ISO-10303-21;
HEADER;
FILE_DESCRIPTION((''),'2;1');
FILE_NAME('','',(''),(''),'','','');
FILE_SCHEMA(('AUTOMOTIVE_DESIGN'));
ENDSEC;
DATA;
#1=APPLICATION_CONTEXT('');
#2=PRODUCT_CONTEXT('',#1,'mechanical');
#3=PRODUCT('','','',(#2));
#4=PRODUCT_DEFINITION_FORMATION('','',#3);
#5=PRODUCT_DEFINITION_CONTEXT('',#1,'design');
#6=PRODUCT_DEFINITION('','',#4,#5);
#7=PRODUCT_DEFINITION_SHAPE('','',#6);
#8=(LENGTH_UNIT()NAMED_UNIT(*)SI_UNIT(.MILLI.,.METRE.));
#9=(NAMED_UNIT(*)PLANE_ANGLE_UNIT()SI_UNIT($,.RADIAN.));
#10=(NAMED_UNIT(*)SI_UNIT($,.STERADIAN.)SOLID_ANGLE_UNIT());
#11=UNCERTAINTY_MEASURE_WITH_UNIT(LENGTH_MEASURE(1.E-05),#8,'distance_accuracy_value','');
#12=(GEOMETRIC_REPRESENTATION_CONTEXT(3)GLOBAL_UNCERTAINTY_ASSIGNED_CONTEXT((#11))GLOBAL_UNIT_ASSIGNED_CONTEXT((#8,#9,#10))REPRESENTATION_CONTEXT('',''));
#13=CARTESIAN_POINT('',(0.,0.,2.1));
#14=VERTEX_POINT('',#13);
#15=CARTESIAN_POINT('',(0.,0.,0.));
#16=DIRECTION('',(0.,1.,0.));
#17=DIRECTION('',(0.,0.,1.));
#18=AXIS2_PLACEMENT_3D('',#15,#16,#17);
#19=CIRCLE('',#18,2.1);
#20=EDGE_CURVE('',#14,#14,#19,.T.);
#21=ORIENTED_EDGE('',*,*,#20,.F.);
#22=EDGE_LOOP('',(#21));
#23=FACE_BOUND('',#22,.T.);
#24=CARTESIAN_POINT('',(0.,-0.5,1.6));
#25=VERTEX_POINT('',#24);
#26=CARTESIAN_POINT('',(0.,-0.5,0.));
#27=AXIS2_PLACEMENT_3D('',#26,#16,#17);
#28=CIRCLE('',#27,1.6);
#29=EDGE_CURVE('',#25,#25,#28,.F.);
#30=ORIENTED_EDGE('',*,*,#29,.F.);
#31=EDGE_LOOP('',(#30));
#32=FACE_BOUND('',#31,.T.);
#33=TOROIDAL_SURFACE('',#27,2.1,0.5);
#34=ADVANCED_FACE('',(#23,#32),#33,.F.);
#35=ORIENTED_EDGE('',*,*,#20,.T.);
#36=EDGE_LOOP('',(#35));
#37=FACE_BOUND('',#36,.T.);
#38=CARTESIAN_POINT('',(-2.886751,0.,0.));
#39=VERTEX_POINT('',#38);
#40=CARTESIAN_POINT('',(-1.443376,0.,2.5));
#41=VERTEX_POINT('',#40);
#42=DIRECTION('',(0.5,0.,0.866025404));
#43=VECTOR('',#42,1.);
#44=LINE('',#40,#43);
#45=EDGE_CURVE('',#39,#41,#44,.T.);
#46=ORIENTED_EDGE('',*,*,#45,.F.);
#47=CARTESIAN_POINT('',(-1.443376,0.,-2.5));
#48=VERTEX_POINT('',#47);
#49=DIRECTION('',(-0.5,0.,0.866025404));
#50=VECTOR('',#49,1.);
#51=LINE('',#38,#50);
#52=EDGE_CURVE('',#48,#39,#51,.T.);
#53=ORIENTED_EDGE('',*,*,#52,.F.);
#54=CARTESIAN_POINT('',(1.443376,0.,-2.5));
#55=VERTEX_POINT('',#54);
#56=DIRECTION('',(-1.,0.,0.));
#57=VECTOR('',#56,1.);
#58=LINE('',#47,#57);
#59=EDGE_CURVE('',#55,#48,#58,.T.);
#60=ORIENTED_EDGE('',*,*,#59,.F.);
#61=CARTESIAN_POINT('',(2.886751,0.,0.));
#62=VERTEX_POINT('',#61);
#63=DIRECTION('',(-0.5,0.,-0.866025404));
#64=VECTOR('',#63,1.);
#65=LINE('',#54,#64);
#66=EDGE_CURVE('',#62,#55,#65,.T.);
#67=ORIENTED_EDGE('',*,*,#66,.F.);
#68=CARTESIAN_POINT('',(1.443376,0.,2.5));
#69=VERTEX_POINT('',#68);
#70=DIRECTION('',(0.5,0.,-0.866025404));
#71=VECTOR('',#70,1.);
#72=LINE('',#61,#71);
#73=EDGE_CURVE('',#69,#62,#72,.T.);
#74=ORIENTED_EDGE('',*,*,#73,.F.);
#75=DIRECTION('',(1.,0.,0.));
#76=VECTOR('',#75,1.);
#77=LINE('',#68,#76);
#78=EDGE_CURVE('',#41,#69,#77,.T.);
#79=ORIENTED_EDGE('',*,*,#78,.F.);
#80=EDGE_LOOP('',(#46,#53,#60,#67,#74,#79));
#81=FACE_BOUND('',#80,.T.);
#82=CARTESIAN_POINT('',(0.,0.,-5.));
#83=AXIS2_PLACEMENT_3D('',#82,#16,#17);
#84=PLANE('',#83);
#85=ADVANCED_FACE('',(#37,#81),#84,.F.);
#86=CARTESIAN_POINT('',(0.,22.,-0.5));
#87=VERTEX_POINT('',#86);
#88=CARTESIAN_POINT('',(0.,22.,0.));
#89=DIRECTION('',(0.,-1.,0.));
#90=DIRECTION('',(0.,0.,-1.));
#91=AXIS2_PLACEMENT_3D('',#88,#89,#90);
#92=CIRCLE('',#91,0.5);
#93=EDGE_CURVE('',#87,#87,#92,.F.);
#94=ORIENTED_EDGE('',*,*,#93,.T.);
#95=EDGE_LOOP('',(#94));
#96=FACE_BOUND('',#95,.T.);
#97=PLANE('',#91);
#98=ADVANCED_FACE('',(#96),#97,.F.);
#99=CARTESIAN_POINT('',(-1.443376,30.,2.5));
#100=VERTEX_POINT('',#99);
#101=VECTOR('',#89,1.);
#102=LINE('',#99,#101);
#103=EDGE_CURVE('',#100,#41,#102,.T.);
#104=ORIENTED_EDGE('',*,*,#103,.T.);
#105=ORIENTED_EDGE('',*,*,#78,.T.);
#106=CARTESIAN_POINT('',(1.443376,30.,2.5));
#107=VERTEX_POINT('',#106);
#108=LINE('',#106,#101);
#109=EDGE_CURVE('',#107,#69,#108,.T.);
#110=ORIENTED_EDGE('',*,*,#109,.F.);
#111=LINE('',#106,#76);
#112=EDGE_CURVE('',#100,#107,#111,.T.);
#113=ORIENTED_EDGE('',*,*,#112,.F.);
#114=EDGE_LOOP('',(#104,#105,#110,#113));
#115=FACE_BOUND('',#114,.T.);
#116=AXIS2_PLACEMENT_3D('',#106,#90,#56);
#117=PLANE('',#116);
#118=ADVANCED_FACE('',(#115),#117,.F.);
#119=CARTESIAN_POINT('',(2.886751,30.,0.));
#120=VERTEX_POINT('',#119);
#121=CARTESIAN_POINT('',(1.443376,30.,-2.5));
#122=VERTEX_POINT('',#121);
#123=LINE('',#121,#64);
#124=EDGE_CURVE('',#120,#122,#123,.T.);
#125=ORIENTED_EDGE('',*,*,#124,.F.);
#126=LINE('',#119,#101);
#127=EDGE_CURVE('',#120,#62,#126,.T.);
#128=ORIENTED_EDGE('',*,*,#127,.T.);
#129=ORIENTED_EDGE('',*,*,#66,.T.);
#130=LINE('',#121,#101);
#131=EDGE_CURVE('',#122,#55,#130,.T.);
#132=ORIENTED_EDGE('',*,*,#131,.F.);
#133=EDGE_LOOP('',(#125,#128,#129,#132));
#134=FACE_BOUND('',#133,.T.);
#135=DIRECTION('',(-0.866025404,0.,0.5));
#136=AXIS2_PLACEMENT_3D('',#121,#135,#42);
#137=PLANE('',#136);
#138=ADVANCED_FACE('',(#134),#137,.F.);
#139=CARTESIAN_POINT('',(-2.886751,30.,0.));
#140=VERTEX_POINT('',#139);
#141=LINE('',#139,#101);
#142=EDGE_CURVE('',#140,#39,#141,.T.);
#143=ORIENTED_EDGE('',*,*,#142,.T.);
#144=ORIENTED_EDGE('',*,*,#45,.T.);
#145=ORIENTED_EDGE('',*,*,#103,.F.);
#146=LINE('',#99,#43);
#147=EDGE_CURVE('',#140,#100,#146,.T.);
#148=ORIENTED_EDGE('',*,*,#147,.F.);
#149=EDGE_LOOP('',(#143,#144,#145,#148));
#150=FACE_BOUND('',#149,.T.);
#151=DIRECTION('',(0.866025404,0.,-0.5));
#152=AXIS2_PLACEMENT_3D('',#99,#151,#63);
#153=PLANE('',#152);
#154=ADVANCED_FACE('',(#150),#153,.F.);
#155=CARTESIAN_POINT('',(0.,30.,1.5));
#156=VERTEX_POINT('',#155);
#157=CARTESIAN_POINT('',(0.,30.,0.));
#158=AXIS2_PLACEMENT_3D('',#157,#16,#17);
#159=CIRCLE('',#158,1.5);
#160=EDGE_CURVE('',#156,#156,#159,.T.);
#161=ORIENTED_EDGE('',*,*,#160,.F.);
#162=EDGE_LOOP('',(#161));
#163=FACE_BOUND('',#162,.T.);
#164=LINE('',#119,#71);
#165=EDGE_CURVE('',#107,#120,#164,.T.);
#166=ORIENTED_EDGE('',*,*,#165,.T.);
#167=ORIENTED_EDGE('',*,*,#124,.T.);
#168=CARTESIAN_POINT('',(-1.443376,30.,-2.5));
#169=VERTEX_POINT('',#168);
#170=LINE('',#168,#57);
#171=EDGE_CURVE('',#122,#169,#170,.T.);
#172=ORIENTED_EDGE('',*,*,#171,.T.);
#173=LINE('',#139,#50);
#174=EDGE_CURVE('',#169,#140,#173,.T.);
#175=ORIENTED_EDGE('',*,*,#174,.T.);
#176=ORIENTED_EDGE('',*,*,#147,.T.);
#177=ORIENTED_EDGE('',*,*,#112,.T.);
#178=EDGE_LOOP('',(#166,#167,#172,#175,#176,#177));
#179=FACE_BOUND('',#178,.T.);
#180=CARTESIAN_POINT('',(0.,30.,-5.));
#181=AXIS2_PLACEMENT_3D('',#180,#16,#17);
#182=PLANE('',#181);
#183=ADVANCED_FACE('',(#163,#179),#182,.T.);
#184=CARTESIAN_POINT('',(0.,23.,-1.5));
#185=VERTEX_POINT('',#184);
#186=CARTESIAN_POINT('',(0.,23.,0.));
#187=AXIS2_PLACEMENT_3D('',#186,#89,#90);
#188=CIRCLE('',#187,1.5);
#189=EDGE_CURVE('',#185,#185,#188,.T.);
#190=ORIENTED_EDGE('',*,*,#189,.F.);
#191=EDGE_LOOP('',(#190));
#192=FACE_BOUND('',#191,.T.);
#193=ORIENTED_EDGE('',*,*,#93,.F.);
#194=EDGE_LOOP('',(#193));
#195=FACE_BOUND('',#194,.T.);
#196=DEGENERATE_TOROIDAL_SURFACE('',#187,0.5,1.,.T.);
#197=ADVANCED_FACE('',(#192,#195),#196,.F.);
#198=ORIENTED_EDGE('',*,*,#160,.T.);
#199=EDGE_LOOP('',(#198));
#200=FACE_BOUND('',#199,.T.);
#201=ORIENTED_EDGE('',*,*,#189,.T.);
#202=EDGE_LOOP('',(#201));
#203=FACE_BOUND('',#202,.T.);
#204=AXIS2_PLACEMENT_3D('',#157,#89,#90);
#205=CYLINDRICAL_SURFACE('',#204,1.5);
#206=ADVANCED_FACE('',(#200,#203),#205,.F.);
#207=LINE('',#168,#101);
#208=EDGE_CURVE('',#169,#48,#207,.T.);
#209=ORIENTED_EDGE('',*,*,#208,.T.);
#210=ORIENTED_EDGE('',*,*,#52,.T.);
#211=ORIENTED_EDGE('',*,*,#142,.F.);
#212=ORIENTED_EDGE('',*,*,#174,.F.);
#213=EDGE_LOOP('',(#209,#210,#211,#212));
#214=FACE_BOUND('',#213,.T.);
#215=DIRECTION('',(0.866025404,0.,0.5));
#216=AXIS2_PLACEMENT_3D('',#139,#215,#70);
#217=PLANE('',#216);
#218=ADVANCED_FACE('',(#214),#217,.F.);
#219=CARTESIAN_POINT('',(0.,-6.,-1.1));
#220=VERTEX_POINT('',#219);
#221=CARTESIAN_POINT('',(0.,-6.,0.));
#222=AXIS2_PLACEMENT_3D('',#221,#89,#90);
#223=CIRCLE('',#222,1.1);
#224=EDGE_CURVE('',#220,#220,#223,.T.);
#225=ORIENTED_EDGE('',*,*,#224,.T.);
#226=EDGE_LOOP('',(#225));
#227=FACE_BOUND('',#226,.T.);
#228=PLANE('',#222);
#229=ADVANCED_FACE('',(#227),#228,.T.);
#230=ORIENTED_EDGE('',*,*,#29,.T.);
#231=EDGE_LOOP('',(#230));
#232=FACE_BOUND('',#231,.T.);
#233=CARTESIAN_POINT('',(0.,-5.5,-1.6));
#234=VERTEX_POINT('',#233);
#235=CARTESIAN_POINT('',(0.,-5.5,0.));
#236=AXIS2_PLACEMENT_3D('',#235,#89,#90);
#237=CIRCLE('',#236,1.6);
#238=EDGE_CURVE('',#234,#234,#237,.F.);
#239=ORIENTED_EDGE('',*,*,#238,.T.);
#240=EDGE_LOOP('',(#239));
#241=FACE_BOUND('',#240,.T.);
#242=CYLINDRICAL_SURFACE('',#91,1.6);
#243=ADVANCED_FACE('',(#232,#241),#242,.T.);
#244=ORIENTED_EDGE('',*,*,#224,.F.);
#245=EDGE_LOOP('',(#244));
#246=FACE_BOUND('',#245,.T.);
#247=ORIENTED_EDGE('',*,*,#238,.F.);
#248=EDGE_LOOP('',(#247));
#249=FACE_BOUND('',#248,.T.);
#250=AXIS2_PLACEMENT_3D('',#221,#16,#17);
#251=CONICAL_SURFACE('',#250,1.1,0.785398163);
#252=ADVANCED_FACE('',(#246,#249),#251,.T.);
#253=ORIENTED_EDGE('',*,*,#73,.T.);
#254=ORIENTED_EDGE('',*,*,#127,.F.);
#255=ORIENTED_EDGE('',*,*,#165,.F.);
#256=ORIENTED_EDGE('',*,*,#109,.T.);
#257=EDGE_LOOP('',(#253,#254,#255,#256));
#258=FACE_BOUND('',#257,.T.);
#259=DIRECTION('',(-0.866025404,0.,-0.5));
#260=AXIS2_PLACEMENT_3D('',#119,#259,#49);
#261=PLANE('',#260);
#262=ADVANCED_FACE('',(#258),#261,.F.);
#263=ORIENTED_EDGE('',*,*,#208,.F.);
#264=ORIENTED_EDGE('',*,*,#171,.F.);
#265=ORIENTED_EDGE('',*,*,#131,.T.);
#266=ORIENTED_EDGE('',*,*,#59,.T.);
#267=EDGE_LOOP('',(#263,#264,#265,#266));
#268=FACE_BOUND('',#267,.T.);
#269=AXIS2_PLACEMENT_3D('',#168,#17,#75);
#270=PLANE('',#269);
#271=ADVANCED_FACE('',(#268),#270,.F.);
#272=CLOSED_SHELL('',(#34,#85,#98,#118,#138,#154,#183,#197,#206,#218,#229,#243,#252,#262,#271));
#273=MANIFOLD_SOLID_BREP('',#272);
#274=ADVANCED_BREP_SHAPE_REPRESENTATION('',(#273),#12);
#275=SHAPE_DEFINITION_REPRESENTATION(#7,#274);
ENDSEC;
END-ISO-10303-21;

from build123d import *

# Parameters (mm, degrees)
SKETCH1_R           = 1.5
EXTRUDE1_DEPTH      = 30
EXTRUDE2_DEPTH      = 6
EXTRUDE2_DEPTH_BACK = 22
SKETCH2_R           = 1.6
CHAMFER1_SIZE       = 0.5
FILLET1_R           = 0.5
FILLET2_R           = 1


with BuildPart() as part:
    # Sketch1 → Extrude1 (new body)
    with BuildSketch(Plane(origin=(0, 0, 0), x_dir=(1, 0, 0), z_dir=(0, 1, 0))):
        Polygon((-1.443375673, 2.5), (1.443375673, 2.5), (2.886751346, 0), (1.443375673, -2.5), (-1.443375673, -2.5), (-2.886751346, 0), align=None)
        with Locations(Location((0, 0, 0), (0, 0, 270))):
            Circle(SKETCH1_R, mode=Mode.SUBTRACT)
    extrude(amount=EXTRUDE1_DEPTH)

    # Sketch2 → Extrude2 (add, two sides: drawn at the far end of the back side and taken through both)
    with BuildSketch(Plane.XZ.offset(-EXTRUDE2_DEPTH_BACK)):
        with Locations(Location((0, 0, 0), (0, 0, 270))):
            Circle(SKETCH2_R)
    extrude(amount=EXTRUDE2_DEPTH + EXTRUDE2_DEPTH_BACK)

    # Chamfer1
    chamfer1_edges = [part.edges().sort_by_distance(p)[0] for p in [
        (0, -6, 1.6),
    ]]
    chamfer(chamfer1_edges, length=CHAMFER1_SIZE)

    # Fillet1
    fillet1_edges = [part.edges().sort_by_distance(p)[0] for p in [
        (0, 0, 1.6),
    ]]
    fillet(fillet1_edges, radius=FILLET1_R)

    # Fillet2
    fillet2_edges = [part.edges().sort_by_distance(p)[0] for p in [
        (0, 22, -1.5),
    ]]
    fillet(fillet2_edges, radius=FILLET2_R)


solid = part.part
